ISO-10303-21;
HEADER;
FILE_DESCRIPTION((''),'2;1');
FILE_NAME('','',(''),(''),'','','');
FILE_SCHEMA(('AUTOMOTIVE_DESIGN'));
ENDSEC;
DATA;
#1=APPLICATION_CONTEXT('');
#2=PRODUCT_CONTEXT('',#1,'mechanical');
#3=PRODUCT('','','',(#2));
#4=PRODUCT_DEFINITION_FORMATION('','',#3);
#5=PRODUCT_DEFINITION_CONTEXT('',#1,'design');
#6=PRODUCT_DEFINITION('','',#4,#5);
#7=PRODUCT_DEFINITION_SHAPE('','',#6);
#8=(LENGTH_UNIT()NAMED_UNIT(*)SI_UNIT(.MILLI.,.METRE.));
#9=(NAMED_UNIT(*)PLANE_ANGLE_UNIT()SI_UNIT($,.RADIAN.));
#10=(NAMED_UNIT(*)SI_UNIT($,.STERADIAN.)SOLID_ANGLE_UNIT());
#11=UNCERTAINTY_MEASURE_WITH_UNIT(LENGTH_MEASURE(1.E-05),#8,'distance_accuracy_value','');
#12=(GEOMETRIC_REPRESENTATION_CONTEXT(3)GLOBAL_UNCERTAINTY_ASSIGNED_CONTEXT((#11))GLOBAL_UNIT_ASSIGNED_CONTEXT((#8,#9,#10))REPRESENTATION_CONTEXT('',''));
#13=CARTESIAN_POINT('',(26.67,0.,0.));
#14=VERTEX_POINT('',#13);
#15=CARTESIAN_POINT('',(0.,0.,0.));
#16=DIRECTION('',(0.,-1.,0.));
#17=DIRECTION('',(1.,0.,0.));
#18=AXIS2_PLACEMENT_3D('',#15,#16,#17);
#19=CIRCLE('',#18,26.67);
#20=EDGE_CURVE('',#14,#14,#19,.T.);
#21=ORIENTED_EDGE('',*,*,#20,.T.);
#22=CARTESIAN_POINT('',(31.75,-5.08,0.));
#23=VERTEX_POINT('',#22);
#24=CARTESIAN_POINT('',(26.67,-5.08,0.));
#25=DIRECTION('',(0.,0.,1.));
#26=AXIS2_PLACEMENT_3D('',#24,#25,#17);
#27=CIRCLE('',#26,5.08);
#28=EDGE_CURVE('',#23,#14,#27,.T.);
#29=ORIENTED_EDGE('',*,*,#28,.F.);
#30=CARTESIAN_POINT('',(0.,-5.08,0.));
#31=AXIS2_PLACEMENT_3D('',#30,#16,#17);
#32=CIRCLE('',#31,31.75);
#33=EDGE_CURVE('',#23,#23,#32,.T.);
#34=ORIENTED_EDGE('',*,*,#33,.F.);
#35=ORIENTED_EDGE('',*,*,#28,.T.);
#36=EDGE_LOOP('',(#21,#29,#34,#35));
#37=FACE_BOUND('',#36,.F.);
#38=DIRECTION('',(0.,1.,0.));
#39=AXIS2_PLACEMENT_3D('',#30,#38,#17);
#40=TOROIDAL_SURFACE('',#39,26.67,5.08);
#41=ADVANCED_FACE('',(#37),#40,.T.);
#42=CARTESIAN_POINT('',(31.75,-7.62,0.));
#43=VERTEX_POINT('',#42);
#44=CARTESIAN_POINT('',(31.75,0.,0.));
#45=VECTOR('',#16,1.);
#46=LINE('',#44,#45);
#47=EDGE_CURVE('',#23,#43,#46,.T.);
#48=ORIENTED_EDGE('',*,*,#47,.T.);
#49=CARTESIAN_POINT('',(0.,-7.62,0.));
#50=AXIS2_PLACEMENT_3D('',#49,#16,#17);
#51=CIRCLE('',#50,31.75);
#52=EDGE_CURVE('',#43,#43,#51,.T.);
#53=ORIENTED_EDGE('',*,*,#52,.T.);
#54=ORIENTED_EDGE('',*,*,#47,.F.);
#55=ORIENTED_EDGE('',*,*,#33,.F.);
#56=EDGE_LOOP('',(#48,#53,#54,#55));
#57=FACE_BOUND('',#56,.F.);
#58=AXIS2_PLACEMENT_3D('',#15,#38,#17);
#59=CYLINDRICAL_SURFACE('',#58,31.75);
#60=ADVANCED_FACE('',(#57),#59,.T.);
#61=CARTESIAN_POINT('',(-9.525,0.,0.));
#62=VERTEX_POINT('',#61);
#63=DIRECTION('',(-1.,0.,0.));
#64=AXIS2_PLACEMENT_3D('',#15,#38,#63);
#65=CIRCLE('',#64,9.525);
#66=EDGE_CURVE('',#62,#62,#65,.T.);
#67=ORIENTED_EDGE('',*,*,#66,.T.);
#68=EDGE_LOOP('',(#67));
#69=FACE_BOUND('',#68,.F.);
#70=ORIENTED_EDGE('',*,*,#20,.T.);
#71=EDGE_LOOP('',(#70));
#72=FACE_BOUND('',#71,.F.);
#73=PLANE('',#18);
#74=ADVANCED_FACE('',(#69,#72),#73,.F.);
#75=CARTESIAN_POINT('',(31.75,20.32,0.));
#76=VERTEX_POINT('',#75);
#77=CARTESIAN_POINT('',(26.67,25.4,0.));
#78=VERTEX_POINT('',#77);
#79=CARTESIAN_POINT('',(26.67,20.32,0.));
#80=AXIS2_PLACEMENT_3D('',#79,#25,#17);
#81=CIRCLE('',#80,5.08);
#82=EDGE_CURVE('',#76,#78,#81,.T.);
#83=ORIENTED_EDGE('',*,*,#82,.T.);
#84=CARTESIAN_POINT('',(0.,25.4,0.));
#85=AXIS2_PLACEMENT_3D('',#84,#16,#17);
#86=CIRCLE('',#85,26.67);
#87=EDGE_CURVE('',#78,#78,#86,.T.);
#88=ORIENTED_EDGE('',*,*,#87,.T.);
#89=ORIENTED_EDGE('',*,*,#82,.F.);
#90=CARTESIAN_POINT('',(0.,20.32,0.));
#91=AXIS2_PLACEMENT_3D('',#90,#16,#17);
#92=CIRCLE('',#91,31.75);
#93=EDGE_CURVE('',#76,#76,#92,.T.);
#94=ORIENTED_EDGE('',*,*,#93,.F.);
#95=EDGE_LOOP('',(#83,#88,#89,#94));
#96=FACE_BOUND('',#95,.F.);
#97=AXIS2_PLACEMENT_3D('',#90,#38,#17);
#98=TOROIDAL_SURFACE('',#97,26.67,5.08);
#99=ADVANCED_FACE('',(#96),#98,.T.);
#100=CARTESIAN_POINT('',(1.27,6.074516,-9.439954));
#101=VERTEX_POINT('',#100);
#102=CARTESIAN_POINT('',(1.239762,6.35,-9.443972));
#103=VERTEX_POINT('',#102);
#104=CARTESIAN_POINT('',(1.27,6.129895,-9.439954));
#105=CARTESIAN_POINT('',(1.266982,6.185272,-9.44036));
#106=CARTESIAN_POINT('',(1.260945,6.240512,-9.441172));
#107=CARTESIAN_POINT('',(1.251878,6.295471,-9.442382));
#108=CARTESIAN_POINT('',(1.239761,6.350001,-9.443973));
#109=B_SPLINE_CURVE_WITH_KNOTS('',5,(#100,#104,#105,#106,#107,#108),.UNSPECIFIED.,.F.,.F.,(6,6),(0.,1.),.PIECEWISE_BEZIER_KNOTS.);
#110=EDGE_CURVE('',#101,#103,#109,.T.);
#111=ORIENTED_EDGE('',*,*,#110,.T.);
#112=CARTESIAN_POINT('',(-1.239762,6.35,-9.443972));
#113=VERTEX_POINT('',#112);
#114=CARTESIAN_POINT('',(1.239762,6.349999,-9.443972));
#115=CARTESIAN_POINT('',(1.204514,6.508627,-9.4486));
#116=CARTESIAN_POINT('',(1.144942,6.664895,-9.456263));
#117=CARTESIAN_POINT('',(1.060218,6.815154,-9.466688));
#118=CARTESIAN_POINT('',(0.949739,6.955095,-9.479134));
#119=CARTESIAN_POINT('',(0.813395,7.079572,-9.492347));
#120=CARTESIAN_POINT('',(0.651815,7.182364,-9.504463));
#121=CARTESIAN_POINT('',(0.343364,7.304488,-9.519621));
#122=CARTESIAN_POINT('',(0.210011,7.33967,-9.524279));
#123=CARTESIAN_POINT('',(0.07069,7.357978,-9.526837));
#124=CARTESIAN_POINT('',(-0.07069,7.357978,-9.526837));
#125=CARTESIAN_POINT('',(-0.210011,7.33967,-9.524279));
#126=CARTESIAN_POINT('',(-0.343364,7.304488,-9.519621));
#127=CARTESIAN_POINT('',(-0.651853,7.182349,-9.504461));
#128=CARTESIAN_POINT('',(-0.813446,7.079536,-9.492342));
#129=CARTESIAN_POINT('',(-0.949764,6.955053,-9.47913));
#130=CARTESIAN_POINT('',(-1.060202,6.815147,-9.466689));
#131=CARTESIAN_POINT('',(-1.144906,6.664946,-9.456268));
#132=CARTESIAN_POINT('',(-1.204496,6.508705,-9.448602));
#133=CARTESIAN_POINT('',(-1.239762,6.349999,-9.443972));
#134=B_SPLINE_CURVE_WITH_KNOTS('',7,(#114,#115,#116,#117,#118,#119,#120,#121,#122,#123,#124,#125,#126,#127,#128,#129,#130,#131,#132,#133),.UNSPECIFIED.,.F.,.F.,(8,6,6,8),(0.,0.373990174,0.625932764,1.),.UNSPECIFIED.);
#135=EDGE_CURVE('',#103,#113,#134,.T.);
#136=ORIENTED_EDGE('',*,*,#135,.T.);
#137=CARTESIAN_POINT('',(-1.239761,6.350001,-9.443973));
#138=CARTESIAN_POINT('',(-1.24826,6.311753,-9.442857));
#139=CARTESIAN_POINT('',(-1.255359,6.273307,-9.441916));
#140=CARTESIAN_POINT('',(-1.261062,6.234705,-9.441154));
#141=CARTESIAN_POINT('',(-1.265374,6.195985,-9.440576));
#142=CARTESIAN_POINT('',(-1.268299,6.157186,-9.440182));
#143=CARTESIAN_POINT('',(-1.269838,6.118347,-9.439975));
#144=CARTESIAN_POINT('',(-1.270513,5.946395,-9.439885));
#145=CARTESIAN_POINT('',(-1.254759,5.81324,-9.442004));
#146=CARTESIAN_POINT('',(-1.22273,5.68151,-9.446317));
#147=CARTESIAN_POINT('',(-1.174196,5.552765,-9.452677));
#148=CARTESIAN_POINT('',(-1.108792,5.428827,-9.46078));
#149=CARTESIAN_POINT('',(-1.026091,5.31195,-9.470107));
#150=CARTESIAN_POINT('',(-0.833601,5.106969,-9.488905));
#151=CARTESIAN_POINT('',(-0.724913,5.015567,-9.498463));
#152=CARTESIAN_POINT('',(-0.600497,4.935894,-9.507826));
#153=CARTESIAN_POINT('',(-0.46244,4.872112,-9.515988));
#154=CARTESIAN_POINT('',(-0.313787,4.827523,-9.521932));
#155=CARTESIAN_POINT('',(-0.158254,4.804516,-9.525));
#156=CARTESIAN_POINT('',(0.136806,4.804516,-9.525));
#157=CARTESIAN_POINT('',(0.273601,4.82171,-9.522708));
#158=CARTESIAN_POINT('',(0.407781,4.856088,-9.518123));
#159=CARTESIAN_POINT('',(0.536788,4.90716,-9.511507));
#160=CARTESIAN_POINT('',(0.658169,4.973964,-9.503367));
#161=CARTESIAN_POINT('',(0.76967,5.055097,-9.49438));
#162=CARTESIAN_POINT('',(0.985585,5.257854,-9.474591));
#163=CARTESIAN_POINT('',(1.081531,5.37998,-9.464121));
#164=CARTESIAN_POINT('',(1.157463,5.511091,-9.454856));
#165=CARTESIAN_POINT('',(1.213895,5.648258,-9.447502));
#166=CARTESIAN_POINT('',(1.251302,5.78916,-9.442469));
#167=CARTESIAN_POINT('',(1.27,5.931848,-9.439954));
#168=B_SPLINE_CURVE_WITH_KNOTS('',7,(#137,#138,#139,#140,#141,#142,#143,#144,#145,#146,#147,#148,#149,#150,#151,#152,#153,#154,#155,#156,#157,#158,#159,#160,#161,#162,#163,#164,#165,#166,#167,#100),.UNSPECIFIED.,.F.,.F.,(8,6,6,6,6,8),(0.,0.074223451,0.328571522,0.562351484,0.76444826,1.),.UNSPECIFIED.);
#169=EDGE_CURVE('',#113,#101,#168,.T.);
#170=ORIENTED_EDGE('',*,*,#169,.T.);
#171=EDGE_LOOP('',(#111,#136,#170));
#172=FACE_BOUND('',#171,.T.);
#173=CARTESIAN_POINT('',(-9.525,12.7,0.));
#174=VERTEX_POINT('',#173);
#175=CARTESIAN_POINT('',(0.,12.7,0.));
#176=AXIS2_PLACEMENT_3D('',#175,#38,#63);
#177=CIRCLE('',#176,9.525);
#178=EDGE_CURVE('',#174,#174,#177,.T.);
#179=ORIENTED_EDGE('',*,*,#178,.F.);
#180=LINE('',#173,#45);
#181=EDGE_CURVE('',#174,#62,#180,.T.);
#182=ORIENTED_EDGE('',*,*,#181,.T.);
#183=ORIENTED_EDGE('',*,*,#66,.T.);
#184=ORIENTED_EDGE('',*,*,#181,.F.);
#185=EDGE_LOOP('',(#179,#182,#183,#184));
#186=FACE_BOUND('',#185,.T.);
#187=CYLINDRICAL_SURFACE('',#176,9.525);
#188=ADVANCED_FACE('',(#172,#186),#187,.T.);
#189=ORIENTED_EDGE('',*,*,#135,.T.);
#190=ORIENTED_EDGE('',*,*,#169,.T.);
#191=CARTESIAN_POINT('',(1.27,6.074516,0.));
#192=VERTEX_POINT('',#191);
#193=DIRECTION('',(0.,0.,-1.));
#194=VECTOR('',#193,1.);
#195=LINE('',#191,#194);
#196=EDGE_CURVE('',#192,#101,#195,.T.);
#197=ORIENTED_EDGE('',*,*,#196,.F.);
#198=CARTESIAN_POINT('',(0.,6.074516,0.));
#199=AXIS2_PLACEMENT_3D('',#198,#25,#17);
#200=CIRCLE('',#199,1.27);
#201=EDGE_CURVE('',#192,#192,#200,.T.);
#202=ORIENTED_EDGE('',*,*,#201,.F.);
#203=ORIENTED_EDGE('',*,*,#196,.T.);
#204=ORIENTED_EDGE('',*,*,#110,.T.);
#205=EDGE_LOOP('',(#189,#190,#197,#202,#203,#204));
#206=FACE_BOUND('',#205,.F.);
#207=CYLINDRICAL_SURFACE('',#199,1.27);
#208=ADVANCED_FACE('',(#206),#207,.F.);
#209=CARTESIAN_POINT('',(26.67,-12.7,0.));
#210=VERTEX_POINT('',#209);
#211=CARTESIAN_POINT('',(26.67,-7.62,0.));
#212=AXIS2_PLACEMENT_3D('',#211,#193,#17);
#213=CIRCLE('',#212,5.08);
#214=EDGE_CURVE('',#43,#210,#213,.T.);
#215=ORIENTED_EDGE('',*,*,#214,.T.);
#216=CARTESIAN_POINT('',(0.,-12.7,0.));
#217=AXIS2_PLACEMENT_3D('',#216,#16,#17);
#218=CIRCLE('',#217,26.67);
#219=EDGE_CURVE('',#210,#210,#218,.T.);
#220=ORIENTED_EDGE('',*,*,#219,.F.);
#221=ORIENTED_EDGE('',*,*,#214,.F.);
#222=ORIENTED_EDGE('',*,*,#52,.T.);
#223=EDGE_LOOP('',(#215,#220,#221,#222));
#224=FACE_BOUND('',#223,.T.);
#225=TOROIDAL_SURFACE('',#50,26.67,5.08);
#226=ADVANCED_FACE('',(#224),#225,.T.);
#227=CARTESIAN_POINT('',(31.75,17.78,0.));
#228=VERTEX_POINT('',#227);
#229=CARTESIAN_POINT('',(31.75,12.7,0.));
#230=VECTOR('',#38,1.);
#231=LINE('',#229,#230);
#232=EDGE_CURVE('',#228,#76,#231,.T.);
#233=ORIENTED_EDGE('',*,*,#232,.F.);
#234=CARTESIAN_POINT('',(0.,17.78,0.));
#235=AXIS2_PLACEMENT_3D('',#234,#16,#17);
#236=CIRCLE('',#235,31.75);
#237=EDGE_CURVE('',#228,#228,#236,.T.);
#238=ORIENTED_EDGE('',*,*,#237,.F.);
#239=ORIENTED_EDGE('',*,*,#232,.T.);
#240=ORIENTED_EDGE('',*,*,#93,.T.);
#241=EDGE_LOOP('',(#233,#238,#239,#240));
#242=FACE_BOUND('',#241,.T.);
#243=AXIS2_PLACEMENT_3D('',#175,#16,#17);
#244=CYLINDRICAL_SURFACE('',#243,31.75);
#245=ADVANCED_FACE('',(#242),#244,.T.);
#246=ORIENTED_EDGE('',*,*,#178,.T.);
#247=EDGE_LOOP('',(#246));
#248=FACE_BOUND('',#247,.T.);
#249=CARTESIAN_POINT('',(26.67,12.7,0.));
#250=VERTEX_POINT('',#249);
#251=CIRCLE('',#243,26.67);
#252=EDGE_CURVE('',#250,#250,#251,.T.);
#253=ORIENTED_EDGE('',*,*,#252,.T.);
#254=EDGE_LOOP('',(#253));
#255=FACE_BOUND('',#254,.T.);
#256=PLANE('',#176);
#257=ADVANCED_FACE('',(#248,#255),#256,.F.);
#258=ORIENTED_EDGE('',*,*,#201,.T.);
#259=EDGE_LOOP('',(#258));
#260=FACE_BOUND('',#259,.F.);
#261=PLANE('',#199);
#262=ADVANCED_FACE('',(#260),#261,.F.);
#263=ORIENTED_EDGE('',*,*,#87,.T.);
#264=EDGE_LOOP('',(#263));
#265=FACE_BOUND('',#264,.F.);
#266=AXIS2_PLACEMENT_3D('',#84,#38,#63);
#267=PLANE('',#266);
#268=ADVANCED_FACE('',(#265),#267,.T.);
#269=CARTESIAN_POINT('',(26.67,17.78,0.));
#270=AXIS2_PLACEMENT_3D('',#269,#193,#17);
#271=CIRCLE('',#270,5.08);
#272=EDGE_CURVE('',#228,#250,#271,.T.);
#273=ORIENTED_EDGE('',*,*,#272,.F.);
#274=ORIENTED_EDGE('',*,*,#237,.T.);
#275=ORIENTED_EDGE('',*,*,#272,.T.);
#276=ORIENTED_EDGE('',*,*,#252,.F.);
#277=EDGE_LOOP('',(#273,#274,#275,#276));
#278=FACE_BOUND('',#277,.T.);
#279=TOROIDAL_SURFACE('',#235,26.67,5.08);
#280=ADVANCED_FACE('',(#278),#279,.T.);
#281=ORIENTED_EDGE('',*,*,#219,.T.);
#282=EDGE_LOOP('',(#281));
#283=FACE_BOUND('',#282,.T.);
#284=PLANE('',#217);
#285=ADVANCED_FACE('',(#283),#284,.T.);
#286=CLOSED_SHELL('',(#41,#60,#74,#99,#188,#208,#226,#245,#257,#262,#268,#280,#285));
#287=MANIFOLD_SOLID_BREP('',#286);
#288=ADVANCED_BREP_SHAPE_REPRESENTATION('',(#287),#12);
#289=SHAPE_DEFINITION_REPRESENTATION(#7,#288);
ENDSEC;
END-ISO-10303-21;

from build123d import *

# Parameters (mm, degrees)
F0_R     = 31.75
F1_DEPTH = 12.7
F2_R     = 5.08
F3_R     = 9.525
F4_DEPTH = 6.35
F7_D     = 2.54
F7_DEPTH = 25.4
F7_TIP   = 0.7630929862


with BuildPart() as f1:
    # F0 (on Front) → F1 (new body)
    with BuildSketch(Plane.XZ):
        Circle(F0_R)
    extrude(amount=F1_DEPTH)

    # F2
    f2_edges = [f1.edges().sort_by_distance(p)[0] for p in [
        (-31.75, -12.7, 0),
        (-31.75, 0, 0),
    ]]
    fillet(f2_edges, radius=F2_R)

    # F3 (on face) → F4 (join)
    with BuildSketch(Plane(origin=(0, 0, 0), x_dir=(-1, 0, 0), z_dir=(0, 1, 0))):
        Circle(F3_R)
    extrude(amount=F4_DEPTH)

    # F5: F1 across face


with BuildPart() as f1_1:
    add(f1.part)
    add(f1.part.mirror(Plane(origin=(0, 6.35, 0), x_dir=(-1, 0, 0), z_dir=(0, 1, 0))))

    # F7 (one way)
    with BuildSketch(Plane.XY):
        with Locations((0, 6.0745161027)):
            Circle(F7_D / 2)
    extrude(amount=-F7_DEPTH, mode=Mode.SUBTRACT)
    with Locations(Plane.XY):
        with Locations((0, 6.0745161027)):
            with Locations((0, 0, -(F7_DEPTH + F7_TIP / 2))):  # 118° drill point
                Cone(0, F7_D / 2, F7_TIP, mode=Mode.SUBTRACT)


solid = f1_1.part
